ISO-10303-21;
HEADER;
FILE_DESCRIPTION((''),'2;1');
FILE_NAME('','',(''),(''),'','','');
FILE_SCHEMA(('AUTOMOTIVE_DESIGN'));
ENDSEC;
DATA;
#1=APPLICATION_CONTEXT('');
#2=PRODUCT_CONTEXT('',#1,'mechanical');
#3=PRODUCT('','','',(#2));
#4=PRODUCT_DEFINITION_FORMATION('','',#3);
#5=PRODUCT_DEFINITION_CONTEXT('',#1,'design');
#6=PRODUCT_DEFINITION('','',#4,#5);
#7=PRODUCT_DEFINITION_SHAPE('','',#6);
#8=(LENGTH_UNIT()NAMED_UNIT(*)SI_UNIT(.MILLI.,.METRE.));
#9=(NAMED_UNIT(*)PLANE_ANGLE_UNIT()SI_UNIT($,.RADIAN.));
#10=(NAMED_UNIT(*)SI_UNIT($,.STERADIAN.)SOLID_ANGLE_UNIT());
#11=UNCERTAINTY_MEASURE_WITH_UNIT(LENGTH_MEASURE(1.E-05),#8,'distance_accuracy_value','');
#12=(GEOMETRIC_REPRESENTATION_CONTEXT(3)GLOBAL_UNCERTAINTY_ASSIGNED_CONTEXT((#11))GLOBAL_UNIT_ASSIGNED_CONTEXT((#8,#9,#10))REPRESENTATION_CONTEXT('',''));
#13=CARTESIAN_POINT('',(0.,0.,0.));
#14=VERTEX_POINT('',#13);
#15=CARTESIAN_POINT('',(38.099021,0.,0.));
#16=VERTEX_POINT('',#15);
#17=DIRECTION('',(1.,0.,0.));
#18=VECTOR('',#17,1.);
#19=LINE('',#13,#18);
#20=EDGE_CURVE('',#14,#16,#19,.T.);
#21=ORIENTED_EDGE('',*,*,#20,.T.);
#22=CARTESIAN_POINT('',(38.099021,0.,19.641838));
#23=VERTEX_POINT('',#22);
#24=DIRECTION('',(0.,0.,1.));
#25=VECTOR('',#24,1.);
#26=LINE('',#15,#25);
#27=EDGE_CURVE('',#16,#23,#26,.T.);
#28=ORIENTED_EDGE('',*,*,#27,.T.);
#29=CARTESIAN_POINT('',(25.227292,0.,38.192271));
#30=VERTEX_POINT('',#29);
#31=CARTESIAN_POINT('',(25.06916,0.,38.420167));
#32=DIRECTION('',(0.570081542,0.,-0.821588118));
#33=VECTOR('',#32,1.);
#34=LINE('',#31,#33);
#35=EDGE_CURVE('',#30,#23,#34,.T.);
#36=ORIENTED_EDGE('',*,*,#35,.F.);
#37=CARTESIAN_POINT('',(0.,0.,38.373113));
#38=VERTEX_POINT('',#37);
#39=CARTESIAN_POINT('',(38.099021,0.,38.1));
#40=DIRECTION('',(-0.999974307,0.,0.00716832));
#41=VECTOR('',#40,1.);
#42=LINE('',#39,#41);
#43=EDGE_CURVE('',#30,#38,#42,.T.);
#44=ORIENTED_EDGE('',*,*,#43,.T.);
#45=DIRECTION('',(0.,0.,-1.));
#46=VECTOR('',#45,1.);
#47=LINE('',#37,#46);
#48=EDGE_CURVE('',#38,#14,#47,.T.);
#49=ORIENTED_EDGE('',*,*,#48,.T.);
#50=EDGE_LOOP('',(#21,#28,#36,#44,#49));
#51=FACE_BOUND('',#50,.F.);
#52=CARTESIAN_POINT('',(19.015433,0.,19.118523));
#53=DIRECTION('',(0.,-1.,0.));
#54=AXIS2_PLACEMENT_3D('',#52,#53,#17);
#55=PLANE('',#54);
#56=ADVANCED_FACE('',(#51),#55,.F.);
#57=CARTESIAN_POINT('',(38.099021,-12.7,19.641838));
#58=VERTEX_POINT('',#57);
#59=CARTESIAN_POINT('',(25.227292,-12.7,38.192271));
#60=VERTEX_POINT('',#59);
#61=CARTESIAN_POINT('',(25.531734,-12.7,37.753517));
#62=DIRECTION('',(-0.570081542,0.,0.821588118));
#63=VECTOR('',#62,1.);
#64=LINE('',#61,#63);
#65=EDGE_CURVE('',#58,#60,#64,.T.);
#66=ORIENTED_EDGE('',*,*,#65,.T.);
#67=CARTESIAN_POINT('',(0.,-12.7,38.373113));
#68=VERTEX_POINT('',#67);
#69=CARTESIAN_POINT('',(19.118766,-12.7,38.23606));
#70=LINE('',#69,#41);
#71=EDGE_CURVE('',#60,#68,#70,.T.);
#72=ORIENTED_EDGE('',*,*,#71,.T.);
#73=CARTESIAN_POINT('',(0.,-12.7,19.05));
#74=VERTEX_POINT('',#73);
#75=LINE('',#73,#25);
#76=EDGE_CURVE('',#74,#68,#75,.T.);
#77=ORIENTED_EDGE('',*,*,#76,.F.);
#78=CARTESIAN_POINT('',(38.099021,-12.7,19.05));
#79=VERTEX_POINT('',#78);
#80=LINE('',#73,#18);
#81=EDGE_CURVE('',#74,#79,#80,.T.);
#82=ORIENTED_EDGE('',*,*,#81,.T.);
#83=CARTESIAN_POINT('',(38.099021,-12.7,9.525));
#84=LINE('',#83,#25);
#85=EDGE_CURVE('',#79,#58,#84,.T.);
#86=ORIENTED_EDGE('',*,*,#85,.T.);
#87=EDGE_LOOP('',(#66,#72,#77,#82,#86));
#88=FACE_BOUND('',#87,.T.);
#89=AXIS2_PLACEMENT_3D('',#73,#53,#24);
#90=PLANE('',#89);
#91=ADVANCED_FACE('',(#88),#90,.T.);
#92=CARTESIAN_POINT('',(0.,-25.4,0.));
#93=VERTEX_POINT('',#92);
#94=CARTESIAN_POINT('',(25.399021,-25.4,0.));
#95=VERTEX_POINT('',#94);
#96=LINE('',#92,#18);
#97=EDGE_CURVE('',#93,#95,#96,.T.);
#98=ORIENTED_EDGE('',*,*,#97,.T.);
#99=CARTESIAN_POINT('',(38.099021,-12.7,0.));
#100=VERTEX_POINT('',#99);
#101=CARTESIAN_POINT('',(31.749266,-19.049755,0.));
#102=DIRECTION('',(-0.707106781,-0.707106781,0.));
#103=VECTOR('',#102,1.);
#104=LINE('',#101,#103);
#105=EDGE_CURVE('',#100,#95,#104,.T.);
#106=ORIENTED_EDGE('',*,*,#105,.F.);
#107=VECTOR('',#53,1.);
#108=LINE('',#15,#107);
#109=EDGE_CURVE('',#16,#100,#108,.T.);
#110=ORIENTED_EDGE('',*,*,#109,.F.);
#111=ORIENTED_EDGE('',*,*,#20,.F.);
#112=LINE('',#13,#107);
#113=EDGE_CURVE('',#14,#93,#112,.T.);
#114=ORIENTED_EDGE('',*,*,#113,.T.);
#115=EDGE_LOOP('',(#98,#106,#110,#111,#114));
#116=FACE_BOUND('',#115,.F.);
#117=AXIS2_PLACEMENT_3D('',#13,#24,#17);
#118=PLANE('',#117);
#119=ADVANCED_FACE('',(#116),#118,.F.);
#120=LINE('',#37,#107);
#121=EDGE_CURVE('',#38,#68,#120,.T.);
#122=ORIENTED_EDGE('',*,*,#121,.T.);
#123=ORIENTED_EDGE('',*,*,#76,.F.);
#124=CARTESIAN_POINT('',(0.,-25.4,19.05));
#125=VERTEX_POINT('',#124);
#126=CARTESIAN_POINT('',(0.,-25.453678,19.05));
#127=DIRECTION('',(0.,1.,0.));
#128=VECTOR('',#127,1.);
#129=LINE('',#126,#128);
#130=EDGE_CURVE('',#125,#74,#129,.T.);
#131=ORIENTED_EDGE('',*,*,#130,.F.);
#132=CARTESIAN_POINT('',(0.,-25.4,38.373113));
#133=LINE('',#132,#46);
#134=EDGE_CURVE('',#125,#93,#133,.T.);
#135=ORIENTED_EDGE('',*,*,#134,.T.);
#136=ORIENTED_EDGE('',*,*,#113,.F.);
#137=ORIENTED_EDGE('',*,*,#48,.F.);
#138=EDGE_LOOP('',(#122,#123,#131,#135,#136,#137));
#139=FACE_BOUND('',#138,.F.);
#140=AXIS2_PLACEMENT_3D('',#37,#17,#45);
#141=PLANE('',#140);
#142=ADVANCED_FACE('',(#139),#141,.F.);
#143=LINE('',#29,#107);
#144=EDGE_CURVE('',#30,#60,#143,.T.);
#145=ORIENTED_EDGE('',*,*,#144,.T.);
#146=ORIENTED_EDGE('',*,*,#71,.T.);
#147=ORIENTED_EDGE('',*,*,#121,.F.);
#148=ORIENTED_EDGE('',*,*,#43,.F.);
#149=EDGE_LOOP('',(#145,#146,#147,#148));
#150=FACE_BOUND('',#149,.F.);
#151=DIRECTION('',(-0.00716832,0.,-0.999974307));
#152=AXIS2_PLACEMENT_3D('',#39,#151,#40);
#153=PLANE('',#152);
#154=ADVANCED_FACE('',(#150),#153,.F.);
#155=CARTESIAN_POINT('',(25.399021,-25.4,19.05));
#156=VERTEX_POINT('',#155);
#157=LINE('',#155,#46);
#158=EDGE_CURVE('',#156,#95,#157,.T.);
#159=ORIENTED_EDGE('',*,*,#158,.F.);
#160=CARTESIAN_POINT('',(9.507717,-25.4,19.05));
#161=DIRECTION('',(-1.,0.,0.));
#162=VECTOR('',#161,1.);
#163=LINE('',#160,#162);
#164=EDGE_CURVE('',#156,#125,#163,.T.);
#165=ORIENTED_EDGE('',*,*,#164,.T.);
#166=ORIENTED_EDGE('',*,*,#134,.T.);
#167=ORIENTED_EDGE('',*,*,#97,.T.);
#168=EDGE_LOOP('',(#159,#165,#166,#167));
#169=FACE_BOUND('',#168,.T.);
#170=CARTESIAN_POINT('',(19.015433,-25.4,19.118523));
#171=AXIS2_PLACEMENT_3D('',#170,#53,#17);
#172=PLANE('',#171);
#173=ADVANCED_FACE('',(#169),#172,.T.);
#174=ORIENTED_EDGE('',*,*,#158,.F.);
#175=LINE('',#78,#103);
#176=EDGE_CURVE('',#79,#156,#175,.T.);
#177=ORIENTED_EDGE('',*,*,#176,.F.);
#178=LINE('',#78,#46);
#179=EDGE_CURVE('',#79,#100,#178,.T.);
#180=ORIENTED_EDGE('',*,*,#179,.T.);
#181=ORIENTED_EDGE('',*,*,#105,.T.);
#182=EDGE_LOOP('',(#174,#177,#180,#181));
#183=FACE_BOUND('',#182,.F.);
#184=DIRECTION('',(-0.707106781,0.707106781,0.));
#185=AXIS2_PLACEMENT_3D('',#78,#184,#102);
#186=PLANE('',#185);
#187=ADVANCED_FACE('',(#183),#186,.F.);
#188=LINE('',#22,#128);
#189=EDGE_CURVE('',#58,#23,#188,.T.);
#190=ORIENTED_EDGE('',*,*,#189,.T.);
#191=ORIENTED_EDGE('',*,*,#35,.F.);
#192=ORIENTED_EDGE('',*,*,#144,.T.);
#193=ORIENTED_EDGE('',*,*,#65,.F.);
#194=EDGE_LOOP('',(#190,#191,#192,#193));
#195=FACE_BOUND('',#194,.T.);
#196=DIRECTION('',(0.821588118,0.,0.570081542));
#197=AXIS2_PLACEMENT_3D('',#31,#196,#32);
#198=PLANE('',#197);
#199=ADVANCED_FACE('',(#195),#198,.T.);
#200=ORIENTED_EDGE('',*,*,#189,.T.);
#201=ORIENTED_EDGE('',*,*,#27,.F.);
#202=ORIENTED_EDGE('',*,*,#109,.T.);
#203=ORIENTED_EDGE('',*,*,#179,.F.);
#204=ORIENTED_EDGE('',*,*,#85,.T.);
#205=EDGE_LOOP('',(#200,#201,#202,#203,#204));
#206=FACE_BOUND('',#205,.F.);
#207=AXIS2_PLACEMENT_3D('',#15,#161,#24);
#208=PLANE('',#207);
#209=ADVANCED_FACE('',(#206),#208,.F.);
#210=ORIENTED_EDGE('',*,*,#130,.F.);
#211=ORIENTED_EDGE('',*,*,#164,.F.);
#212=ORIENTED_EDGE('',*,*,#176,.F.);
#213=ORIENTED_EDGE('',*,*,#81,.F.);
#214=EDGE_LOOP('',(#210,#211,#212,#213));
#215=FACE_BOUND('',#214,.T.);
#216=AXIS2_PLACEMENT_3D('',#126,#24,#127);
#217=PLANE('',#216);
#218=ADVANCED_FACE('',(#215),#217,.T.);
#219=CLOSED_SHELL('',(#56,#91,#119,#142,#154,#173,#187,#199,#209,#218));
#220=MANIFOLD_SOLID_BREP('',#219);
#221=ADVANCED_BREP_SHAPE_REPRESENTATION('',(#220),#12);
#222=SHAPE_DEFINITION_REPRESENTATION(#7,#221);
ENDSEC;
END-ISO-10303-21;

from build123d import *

# Parameters (mm, degrees)
F1_DEPTH = 25.4
F3_DEPTH = 38.100021
F5_DEPTH = 25.401
F7_DEPTH = 19.051


with BuildPart() as f1:
    # F0 (on Front) → F1 (new body)
    with BuildSketch(Plane.XZ):
        Polygon((38.099021, 38.1), (0, 38.373113), (0, 0), (38.099021, 0), align=None)
    extrude(amount=F1_DEPTH)

    # F2 (on Right) → F3 (cut, through all)
    with BuildSketch(Plane.YZ):
        Polygon((-12.7, 19.05), (-12.7, 38.488368), (-25.474755, 38.488368), (-25.453678, 19.05), align=None)
    extrude(amount=F3_DEPTH, mode=Mode.SUBTRACT)

    # F4 (on Front) → F5 (cut, through all)
    with BuildSketch(Plane.XZ):
        Polygon((38.132016, 38.228069), (25.06916, 38.420167), (38.132016, 19.594286), align=None)
    extrude(amount=F5_DEPTH, mode=Mode.SUBTRACT)

    # F6 (on face) → F7 (cut, through all)
    with BuildSketch(Plane.XY.offset(19.05)):
        Polygon((38.099021, -25.4), (38.099021, -12.7), (25.399021, -25.4), align=None)
    extrude(amount=-F7_DEPTH, mode=Mode.SUBTRACT)


solid = f1.part
